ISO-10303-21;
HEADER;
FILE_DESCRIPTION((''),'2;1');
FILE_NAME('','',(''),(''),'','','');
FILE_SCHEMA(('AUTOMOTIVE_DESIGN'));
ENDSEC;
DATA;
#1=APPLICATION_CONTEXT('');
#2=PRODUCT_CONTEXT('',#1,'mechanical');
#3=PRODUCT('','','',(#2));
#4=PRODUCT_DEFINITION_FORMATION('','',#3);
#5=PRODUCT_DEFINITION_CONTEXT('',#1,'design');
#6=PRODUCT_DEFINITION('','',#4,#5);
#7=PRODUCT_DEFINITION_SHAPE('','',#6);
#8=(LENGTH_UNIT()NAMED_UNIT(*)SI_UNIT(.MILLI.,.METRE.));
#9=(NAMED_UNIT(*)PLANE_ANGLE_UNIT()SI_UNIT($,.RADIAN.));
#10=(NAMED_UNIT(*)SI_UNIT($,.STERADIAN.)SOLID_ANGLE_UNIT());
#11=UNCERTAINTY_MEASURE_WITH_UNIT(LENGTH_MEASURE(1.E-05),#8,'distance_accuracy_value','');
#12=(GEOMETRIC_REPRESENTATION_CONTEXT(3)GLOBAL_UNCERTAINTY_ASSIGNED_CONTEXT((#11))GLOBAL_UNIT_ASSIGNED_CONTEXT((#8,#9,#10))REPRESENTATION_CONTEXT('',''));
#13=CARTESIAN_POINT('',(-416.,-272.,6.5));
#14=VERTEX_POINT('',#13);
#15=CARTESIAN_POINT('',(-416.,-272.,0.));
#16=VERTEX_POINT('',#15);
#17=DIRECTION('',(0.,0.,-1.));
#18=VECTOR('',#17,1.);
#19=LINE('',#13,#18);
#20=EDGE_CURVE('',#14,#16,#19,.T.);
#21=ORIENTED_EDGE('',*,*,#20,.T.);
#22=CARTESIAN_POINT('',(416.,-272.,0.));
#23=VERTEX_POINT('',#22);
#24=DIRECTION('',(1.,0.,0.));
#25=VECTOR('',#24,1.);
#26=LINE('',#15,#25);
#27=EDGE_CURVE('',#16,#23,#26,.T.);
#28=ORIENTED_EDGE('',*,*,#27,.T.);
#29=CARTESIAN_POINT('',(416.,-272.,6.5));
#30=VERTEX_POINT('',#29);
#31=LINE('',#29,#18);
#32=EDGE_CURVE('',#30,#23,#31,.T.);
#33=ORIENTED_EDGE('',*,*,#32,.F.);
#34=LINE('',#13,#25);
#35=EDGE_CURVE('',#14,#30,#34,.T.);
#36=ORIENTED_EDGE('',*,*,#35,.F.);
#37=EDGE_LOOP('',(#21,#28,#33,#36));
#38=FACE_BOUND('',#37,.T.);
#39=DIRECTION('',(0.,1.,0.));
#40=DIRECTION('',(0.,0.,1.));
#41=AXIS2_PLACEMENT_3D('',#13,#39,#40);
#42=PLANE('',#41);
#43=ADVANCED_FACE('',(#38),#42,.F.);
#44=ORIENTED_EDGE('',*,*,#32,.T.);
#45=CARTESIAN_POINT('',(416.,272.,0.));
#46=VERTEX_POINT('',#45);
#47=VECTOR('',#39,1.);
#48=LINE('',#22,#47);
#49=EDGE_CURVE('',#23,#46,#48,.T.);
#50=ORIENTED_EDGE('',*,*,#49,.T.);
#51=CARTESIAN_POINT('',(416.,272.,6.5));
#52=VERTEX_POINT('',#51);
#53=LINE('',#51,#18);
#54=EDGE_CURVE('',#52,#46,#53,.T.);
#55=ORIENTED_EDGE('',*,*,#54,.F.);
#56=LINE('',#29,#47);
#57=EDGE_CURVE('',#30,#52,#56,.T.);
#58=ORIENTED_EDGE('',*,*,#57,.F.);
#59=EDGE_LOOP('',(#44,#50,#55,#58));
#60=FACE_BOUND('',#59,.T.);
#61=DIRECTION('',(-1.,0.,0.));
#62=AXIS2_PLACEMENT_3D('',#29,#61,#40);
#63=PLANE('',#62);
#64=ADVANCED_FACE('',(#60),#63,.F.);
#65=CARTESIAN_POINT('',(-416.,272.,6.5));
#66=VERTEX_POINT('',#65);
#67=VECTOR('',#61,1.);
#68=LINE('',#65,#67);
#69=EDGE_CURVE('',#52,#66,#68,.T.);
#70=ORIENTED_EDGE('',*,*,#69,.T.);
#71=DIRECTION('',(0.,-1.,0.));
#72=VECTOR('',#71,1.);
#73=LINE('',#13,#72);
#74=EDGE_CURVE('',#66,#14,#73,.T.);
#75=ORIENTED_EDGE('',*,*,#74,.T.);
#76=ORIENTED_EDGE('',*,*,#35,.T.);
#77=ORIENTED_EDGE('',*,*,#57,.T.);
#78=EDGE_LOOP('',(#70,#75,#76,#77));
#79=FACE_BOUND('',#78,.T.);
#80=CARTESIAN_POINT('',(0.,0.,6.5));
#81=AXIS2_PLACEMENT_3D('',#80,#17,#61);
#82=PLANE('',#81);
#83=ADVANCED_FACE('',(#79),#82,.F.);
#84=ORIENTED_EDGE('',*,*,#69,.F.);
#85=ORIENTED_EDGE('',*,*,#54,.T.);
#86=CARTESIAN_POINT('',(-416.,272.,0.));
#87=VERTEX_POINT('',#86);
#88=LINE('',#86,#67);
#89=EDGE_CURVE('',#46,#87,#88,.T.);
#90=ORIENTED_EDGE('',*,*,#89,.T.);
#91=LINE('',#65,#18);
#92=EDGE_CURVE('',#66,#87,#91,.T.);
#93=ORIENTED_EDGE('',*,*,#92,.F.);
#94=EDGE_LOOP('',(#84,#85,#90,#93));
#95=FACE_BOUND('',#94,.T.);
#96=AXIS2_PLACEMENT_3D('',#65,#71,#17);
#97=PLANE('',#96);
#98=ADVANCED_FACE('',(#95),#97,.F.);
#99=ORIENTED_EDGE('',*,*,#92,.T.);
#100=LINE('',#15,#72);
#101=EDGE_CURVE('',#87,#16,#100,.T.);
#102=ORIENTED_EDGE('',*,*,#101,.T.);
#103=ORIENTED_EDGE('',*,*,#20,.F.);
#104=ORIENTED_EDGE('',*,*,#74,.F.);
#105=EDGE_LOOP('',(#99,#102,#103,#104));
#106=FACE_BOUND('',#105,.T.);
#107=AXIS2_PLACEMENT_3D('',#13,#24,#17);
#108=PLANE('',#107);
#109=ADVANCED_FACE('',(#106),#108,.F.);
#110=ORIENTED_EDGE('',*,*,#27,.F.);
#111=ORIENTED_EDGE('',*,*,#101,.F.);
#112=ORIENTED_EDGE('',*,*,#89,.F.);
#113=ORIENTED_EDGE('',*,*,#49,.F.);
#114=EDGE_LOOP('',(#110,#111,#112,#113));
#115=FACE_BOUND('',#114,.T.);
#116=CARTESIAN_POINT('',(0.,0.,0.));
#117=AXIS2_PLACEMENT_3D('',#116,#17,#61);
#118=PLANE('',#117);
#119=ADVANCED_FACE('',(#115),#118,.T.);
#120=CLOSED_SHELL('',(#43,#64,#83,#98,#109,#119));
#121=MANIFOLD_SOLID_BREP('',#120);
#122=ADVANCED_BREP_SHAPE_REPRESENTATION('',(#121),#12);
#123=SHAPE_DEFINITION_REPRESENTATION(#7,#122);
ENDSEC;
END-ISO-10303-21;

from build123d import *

# Parameters (mm, degrees)
ESQUISSE1_W        = 832
ESQUISSE1_H        = 544
BOSS_EXTRU_1_DEPTH = 6.5


with BuildPart() as part:
    # Esquisse1 → Boss.-Extru.1 (new body)
    with BuildSketch(Plane.XY):
        Rectangle(ESQUISSE1_W, ESQUISSE1_H)
    extrude(amount=BOSS_EXTRU_1_DEPTH)


solid = part.part
